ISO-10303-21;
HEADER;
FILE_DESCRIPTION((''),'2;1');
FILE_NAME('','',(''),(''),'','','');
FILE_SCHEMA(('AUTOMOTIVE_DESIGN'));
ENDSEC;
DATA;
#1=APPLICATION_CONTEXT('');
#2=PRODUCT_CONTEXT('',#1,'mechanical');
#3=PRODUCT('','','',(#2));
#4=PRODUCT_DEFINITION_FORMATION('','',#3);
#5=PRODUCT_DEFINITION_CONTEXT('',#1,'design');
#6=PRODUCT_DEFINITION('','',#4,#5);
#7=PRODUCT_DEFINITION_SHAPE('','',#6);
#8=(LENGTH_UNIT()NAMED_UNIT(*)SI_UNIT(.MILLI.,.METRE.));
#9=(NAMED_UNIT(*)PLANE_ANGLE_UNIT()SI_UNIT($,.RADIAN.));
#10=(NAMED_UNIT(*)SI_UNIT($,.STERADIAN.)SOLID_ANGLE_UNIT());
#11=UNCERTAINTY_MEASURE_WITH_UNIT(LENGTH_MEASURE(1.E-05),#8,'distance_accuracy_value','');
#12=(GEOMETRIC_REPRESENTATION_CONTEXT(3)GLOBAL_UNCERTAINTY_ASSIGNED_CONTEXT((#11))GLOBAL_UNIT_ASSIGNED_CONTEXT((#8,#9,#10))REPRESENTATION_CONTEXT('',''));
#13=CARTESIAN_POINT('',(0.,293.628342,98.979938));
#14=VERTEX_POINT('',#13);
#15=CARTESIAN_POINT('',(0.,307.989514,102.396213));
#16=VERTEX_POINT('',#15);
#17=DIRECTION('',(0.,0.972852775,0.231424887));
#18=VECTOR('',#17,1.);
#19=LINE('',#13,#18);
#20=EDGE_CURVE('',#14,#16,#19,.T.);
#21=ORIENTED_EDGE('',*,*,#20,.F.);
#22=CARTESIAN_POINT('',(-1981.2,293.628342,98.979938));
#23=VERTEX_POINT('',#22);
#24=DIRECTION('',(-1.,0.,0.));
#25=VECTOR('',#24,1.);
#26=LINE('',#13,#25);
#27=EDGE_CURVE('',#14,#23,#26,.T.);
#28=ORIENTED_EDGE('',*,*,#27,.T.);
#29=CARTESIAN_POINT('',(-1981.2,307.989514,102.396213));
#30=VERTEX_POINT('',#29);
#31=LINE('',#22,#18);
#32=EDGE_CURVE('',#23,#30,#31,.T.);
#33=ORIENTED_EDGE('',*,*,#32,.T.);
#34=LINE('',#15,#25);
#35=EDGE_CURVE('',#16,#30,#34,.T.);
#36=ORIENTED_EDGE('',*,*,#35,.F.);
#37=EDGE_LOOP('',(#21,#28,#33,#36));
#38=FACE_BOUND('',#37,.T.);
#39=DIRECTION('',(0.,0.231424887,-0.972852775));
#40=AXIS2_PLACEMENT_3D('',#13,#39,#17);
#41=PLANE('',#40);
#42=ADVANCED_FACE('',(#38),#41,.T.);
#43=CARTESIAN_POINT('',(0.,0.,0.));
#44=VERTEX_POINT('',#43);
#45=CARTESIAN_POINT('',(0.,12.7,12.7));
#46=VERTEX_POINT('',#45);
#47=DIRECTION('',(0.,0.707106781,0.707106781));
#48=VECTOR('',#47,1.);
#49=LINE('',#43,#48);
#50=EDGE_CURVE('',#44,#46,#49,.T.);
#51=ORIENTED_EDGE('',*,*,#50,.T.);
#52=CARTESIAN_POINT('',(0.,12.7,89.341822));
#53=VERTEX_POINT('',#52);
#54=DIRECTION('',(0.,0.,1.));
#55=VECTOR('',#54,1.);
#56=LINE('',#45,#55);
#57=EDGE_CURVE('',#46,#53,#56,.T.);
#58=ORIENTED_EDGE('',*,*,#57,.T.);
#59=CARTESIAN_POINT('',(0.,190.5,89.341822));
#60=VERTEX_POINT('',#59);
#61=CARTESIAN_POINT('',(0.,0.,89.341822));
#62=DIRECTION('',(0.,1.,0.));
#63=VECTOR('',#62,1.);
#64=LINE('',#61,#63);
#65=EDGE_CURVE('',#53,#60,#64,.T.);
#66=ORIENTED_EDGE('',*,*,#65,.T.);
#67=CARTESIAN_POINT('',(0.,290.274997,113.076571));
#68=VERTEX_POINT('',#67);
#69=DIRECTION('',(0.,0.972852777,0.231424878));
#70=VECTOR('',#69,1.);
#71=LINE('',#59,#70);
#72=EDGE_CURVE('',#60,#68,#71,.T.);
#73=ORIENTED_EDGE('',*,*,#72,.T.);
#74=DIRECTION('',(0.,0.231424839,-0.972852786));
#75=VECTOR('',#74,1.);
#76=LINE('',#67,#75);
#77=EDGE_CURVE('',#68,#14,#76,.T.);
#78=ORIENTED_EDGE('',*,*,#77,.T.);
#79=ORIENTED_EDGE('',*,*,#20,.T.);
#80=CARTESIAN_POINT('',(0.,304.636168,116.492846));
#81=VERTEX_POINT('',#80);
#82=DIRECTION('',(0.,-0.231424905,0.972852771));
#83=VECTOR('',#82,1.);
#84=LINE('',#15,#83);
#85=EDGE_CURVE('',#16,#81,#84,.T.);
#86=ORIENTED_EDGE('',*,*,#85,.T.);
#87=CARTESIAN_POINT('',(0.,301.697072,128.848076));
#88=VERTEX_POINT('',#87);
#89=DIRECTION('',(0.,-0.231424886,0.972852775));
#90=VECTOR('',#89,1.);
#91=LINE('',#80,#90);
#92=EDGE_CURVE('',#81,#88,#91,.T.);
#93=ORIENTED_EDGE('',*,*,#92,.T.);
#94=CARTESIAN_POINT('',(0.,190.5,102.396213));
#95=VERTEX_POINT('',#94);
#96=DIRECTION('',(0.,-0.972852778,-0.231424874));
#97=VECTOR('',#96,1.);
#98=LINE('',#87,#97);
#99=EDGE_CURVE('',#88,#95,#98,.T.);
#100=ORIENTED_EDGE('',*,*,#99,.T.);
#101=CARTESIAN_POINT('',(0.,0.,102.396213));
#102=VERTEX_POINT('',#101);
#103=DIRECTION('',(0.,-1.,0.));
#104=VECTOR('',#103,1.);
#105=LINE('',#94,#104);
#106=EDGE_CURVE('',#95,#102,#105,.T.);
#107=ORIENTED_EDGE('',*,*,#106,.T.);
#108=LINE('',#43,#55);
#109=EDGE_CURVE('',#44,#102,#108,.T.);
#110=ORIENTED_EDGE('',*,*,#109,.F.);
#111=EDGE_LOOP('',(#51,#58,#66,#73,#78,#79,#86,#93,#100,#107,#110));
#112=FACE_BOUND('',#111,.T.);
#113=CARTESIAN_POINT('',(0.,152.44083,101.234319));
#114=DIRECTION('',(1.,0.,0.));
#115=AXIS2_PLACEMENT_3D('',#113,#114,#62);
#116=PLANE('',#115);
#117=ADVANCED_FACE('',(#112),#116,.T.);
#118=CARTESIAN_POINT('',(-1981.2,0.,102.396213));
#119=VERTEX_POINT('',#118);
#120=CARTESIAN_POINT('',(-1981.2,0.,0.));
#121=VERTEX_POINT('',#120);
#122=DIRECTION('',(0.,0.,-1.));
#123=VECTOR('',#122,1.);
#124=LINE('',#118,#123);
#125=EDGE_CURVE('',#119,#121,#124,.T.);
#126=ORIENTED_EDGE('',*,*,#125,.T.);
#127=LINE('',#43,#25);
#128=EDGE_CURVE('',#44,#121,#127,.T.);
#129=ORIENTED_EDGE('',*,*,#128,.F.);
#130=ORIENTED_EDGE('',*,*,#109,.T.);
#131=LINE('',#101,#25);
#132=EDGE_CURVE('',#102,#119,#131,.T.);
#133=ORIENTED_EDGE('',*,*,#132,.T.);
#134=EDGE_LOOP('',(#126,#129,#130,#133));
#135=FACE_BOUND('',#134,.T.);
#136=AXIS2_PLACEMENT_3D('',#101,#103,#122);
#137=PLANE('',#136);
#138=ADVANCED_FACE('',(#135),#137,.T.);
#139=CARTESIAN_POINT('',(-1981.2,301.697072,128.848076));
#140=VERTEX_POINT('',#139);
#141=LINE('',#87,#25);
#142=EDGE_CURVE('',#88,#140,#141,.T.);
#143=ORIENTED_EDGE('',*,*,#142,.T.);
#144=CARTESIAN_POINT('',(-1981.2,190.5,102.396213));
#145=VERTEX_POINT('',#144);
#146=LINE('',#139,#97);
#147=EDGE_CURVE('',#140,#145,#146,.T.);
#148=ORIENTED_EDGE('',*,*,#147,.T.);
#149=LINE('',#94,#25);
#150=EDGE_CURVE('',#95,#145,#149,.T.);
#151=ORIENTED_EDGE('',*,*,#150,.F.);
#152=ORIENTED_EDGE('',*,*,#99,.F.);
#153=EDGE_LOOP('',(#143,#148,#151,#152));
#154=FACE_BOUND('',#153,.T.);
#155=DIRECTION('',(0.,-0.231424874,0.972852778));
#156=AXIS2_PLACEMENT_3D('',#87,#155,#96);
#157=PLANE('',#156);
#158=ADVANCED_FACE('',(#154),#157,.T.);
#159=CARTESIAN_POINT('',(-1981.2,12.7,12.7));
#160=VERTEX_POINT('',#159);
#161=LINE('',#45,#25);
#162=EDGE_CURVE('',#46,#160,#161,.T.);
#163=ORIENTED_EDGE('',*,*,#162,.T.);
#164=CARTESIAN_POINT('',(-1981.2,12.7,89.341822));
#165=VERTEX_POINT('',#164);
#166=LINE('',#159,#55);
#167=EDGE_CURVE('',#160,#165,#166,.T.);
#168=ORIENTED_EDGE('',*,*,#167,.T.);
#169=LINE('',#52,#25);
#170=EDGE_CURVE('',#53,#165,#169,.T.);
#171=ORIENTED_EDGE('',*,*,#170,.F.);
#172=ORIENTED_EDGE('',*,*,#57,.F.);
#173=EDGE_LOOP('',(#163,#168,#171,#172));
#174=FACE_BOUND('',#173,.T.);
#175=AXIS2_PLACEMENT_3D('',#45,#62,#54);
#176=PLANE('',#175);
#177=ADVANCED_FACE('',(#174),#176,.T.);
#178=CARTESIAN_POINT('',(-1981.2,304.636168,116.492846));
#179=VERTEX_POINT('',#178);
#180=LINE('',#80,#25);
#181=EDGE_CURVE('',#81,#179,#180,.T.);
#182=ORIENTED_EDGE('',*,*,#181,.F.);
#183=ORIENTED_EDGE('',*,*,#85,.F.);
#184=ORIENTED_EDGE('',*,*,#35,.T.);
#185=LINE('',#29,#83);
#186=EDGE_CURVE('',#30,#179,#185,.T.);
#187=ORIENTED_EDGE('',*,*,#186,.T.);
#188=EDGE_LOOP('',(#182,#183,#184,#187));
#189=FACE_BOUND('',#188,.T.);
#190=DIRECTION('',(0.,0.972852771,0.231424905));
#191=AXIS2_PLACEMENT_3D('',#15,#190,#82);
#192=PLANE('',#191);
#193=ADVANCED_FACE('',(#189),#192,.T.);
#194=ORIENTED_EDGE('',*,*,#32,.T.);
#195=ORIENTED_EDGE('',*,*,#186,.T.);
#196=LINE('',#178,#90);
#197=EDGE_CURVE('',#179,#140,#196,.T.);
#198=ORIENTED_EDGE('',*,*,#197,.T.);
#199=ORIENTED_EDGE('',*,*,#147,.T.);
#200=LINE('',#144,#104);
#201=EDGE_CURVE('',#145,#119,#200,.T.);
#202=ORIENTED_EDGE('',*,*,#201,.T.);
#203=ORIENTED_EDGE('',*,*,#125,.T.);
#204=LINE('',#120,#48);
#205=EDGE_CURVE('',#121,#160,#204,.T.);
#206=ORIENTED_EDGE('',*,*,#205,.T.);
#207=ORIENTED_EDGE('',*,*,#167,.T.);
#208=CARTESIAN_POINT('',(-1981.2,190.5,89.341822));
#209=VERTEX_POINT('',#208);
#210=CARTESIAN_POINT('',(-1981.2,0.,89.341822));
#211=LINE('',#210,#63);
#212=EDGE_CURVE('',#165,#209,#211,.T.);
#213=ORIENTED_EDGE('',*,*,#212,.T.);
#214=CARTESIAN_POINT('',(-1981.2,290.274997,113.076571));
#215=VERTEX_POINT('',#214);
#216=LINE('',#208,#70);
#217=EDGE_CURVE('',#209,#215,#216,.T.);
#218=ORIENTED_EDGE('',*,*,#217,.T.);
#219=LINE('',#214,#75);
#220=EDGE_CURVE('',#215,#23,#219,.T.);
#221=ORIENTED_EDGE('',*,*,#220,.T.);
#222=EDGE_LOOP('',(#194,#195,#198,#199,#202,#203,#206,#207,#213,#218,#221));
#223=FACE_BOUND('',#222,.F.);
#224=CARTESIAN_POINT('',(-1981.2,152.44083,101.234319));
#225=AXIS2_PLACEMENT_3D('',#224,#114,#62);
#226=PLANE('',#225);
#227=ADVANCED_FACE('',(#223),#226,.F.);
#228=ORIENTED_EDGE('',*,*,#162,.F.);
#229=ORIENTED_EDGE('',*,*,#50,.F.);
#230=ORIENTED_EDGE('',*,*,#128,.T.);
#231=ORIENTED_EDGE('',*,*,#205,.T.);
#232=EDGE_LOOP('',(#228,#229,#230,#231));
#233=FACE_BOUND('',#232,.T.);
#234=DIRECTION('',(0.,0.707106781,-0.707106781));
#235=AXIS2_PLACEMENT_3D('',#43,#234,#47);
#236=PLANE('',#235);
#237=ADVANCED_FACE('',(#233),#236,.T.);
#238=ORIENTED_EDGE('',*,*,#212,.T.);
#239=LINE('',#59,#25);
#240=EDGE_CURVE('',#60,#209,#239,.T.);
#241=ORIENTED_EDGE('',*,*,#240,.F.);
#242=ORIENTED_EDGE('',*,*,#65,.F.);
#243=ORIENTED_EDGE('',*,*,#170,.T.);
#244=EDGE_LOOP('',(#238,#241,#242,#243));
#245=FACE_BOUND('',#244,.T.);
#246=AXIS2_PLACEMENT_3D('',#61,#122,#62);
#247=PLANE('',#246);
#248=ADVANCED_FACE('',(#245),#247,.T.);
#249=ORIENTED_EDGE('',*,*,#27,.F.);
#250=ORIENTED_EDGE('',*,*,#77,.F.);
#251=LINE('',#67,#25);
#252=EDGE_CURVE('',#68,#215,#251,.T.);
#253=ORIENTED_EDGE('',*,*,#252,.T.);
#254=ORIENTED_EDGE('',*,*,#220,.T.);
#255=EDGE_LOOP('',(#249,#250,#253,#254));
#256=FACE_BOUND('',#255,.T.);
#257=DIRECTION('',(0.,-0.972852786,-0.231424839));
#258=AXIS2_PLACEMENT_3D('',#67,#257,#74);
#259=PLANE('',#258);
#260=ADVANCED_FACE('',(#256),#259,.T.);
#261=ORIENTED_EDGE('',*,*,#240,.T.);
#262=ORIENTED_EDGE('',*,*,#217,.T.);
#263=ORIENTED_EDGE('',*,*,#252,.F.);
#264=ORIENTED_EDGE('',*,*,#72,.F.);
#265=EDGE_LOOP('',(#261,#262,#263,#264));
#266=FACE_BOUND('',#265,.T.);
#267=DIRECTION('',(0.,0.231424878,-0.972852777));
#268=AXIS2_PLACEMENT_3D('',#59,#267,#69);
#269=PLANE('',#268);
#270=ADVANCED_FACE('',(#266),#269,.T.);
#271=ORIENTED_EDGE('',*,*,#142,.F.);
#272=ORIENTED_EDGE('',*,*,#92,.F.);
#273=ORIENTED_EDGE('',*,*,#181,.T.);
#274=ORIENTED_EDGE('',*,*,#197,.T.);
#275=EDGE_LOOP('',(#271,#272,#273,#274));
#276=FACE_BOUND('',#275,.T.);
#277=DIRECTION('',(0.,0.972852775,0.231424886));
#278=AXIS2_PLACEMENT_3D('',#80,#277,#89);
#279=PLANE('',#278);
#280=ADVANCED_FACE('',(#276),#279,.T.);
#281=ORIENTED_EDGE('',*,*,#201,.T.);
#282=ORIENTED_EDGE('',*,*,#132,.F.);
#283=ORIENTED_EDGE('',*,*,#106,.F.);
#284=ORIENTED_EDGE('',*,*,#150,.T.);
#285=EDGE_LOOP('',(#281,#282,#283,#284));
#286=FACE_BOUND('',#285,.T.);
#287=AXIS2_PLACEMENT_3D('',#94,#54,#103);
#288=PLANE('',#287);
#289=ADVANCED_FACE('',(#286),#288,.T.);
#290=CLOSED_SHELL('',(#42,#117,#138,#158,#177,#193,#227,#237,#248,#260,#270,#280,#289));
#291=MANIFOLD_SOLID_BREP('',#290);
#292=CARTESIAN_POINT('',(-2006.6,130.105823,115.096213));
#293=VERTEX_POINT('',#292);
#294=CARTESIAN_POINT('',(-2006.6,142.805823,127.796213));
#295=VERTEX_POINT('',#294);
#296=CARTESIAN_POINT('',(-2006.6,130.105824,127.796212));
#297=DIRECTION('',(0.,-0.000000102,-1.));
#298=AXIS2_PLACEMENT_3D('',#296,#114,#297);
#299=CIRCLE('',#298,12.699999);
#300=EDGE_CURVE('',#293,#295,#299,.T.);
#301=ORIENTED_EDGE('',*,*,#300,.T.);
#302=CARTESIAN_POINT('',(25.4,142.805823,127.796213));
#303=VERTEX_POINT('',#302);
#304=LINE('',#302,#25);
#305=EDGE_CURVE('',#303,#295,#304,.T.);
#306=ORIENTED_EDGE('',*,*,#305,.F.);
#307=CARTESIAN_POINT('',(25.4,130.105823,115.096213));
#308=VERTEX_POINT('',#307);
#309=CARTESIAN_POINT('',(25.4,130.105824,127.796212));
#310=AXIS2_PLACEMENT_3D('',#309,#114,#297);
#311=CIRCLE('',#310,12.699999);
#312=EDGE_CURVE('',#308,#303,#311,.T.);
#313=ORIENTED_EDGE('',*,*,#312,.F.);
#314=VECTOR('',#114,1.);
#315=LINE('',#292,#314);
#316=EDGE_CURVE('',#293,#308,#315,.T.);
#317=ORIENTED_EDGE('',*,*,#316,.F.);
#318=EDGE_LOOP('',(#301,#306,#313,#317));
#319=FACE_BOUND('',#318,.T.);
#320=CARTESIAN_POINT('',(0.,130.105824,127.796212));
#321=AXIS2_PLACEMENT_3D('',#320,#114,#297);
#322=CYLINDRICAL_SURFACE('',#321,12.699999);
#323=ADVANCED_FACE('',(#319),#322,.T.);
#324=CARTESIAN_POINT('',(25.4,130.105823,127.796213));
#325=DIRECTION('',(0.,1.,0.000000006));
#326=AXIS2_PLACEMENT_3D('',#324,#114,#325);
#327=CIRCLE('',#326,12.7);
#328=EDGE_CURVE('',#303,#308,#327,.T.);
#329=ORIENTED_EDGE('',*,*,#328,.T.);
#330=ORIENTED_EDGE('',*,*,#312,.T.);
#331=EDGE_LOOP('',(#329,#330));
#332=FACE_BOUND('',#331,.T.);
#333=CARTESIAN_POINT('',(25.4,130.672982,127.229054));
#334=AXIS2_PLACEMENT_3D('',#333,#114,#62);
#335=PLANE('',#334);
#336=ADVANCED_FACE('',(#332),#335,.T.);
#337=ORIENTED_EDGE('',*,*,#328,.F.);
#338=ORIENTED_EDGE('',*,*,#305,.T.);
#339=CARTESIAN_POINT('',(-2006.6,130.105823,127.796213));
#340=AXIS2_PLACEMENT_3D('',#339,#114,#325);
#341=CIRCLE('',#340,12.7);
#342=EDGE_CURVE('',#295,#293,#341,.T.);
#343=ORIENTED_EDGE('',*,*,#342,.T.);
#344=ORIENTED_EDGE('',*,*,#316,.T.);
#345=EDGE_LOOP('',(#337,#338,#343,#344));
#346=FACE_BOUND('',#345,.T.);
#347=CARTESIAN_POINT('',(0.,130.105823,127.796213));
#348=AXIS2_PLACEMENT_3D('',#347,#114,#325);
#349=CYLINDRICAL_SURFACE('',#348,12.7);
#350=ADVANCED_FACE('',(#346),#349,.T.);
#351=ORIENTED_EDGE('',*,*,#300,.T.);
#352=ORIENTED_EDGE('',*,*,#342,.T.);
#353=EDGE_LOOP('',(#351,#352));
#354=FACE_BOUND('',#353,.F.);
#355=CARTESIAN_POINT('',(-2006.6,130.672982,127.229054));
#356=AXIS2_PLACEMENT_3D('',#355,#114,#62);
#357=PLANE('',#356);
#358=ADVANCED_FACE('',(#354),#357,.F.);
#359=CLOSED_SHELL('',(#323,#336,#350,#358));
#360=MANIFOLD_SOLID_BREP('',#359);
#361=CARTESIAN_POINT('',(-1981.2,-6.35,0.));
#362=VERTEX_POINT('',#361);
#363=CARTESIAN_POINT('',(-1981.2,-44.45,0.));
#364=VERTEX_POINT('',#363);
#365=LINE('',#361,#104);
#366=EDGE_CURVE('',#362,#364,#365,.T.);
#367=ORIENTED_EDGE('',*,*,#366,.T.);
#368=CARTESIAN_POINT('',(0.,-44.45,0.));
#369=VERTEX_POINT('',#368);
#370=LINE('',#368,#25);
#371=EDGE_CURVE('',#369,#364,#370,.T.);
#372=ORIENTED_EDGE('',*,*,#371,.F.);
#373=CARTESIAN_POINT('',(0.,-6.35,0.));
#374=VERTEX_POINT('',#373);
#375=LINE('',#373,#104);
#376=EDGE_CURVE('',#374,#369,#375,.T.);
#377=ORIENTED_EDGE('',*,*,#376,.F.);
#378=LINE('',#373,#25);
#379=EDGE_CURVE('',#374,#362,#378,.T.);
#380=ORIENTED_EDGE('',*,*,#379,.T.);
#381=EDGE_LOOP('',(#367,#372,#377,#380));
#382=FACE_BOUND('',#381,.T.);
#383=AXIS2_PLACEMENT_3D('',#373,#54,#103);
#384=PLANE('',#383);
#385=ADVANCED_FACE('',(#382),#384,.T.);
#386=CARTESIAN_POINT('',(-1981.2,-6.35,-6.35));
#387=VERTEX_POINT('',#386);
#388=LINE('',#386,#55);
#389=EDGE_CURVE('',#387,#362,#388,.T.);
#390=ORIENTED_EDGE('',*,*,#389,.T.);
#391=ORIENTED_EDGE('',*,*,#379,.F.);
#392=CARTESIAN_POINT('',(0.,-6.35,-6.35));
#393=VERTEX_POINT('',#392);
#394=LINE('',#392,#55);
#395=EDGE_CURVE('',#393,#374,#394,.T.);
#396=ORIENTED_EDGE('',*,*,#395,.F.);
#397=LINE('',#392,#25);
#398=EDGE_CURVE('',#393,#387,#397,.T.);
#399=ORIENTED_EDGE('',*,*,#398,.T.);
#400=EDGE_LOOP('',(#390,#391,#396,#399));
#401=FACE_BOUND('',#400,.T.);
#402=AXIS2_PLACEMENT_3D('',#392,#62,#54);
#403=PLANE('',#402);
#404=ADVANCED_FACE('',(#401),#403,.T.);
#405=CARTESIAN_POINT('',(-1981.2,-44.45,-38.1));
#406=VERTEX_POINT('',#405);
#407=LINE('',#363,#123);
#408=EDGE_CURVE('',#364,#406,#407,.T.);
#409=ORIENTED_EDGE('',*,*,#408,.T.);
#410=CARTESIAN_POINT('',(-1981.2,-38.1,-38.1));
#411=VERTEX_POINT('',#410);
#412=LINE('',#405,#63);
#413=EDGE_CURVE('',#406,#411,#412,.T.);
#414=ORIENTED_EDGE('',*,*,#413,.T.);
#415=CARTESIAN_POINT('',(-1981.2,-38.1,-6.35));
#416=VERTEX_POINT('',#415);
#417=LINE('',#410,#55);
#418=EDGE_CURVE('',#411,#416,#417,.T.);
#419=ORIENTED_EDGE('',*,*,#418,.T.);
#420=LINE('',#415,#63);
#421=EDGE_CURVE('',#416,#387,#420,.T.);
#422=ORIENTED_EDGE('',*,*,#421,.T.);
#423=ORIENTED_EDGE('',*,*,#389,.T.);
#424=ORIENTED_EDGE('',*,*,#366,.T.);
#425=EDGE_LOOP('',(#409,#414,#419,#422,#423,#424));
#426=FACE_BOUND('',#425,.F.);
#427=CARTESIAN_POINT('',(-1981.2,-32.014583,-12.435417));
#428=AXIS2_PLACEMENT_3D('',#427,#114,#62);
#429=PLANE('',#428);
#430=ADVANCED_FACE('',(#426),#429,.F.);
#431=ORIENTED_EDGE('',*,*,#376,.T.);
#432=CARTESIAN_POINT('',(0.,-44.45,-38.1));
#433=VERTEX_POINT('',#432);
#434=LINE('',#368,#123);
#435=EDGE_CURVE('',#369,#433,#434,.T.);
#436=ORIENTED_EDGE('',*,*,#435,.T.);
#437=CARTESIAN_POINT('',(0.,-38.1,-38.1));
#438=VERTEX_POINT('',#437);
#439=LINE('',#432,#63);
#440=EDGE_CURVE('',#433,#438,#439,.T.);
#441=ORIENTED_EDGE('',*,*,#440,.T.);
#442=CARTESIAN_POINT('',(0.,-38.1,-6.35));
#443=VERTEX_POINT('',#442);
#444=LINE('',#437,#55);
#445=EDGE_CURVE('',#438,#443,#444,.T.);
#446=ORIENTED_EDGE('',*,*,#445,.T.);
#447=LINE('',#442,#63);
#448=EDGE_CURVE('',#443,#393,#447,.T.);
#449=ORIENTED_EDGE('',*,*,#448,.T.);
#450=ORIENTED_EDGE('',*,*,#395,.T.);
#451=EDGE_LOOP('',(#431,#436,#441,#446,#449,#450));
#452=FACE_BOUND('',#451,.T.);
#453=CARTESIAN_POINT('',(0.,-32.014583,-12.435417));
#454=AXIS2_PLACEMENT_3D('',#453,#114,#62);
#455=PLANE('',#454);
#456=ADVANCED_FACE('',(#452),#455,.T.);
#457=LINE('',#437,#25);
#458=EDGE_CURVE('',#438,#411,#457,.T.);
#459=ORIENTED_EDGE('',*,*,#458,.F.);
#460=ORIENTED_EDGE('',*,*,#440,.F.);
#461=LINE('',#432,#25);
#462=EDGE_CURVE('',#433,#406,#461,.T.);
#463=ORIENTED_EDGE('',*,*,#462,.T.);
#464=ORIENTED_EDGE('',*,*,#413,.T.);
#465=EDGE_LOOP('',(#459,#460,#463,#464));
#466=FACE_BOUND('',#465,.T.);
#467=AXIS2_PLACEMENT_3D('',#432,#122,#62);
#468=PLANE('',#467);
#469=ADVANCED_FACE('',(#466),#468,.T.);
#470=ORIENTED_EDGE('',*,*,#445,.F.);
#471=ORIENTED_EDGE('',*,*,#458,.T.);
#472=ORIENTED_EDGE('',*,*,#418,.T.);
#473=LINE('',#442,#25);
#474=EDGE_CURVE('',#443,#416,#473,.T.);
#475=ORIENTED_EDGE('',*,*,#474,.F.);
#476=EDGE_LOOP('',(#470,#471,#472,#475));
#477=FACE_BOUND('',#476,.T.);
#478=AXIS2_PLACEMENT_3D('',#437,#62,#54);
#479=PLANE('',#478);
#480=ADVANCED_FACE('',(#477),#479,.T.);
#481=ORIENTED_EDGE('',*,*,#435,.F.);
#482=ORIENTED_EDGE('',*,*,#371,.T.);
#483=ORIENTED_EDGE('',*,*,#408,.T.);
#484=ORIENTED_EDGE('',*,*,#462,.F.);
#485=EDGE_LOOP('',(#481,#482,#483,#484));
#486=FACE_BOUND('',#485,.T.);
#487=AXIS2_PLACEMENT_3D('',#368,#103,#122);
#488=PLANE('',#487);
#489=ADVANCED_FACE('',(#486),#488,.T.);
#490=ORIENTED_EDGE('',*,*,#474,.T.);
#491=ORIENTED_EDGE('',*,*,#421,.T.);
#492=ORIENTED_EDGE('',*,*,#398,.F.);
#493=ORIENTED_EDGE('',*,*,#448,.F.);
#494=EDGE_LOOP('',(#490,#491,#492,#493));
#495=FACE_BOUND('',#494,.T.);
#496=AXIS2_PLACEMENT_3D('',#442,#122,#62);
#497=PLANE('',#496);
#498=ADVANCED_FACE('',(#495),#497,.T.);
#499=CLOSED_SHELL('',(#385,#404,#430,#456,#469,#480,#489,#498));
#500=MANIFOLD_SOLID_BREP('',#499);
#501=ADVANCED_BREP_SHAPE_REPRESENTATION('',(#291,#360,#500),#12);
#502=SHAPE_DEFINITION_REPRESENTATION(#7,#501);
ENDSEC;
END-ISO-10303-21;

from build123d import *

# Parameters (mm, degrees)
F1_DEPTH      = 1981.2
F3_DEPTH      = 1981.2
F5_DEPTH      = 25.4
F5_DEPTH_BACK = 2006.6


with BuildPart() as f1:
    # F0 (on Right) → F1 (new body)
    with BuildSketch(Plane.YZ):
        Polygon((0, 101.6), (0, 0), (12.7, 12.7), (12.7, 101.6), align=None)
        Polygon((-6.35, -6.35), (-6.35, 0), (-44.45, 0), (-44.45, -38.1), (-38.1, -38.1), (-38.1, -6.35), align=None)
    extrude(amount=-F1_DEPTH)

    # F2 (on Right) → F3 (join)
    with BuildSketch(Plane.YZ):
        Polygon((190.5, 102.396213), (0, 102.396213), (0, 89.341822), (190.5, 89.341822), (290.274997, 113.076571), (304.636168, 116.492846), (301.697072, 128.848076), align=None)
        Polygon((307.989514, 102.396213), (304.636168, 116.492846), (290.274997, 113.076571), (293.628342, 98.979938), align=None)
    extrude(amount=-F3_DEPTH)


with BuildPart() as f5:
    # F4 (on face) → F5 (new body, two sides)
    with BuildSketch(Plane.YZ) as f5_sk:
        with BuildLine():
            ThreePointArc((142.805823, 127.796213), (121.125567, 136.776469), (130.105823, 115.096213))
            ThreePointArc((130.105823, 115.096213), (139.086079, 118.815956), (142.805823, 127.796213))
        make_face()
    extrude(amount=F5_DEPTH)
    extrude(f5_sk.sketch, amount=-F5_DEPTH_BACK)


solid = Compound([f1.part, f5.part])
